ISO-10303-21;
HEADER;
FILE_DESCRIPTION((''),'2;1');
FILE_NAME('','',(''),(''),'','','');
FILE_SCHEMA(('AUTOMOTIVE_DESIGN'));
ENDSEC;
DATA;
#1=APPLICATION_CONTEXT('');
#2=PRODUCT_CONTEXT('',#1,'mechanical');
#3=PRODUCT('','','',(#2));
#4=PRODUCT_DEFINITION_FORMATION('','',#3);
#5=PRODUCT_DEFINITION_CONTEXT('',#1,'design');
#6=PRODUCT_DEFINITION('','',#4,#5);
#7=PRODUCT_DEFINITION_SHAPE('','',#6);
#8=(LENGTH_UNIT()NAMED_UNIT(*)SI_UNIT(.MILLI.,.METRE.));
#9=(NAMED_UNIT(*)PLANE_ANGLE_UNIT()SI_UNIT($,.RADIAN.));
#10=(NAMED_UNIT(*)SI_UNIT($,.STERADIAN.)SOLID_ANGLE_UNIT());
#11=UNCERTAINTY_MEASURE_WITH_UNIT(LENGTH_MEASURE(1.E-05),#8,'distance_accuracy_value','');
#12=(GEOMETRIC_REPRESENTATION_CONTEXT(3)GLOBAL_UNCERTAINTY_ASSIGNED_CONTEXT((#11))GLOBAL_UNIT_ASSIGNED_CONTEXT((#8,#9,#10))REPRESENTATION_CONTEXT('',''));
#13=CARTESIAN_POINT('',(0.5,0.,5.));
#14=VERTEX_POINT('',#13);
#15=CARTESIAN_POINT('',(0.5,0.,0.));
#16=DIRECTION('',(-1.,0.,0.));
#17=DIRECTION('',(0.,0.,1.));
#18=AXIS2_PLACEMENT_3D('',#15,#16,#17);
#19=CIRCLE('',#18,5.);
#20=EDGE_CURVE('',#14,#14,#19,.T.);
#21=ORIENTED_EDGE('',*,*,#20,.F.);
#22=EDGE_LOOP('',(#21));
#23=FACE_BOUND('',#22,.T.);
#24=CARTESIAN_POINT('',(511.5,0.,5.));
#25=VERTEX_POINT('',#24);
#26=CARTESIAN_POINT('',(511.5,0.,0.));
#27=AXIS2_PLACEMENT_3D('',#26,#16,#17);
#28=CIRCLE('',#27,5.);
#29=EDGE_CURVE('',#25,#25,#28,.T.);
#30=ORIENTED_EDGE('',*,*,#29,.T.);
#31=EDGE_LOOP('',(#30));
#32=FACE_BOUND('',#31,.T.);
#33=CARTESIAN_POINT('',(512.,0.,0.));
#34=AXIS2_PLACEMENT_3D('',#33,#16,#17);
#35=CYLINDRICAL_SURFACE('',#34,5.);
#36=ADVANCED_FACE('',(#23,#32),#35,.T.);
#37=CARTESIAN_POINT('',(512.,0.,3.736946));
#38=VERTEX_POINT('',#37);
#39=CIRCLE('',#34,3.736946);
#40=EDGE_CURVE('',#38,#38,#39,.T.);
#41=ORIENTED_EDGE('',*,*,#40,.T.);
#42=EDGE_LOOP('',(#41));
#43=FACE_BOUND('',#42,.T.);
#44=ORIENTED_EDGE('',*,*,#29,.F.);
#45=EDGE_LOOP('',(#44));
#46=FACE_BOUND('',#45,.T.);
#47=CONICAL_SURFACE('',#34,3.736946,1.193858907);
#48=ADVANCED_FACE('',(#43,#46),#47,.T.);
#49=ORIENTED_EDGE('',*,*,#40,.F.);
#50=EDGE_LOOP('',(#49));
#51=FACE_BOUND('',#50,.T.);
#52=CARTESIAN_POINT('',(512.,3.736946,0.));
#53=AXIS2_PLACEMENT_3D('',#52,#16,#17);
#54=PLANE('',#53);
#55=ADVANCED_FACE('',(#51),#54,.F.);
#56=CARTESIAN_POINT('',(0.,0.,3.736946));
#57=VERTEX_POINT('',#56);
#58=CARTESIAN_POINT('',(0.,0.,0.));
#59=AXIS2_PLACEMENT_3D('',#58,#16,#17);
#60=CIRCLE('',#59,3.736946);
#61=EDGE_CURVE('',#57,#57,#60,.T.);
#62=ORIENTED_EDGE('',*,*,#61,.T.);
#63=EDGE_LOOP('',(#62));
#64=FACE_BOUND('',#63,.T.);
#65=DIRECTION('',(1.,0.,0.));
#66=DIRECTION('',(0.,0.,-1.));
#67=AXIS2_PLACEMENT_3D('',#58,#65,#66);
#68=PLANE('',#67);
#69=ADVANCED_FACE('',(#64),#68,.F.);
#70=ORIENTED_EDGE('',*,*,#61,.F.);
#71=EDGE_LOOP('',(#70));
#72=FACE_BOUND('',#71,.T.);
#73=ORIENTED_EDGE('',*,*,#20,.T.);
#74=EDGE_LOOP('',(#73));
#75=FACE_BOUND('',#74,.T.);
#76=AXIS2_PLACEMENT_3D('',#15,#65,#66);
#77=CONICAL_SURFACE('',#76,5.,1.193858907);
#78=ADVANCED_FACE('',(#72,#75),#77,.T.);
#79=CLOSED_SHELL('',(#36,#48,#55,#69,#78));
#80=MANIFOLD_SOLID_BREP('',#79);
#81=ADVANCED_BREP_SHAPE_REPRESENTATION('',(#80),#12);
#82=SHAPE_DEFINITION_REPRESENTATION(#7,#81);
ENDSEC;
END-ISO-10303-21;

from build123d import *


with BuildPart() as part:
    # Sketch1 → Revolve1 (revolve)
    with BuildSketch(Plane.XY):
        Polygon((0, 0), (0, 3.736946), (0.5, 5), (511.5, 5), (512, 3.736946), (512, 0), align=None)
    revolve(axis=Axis((512, 0, 0), (-1, 0, 0)))


solid = part.part
